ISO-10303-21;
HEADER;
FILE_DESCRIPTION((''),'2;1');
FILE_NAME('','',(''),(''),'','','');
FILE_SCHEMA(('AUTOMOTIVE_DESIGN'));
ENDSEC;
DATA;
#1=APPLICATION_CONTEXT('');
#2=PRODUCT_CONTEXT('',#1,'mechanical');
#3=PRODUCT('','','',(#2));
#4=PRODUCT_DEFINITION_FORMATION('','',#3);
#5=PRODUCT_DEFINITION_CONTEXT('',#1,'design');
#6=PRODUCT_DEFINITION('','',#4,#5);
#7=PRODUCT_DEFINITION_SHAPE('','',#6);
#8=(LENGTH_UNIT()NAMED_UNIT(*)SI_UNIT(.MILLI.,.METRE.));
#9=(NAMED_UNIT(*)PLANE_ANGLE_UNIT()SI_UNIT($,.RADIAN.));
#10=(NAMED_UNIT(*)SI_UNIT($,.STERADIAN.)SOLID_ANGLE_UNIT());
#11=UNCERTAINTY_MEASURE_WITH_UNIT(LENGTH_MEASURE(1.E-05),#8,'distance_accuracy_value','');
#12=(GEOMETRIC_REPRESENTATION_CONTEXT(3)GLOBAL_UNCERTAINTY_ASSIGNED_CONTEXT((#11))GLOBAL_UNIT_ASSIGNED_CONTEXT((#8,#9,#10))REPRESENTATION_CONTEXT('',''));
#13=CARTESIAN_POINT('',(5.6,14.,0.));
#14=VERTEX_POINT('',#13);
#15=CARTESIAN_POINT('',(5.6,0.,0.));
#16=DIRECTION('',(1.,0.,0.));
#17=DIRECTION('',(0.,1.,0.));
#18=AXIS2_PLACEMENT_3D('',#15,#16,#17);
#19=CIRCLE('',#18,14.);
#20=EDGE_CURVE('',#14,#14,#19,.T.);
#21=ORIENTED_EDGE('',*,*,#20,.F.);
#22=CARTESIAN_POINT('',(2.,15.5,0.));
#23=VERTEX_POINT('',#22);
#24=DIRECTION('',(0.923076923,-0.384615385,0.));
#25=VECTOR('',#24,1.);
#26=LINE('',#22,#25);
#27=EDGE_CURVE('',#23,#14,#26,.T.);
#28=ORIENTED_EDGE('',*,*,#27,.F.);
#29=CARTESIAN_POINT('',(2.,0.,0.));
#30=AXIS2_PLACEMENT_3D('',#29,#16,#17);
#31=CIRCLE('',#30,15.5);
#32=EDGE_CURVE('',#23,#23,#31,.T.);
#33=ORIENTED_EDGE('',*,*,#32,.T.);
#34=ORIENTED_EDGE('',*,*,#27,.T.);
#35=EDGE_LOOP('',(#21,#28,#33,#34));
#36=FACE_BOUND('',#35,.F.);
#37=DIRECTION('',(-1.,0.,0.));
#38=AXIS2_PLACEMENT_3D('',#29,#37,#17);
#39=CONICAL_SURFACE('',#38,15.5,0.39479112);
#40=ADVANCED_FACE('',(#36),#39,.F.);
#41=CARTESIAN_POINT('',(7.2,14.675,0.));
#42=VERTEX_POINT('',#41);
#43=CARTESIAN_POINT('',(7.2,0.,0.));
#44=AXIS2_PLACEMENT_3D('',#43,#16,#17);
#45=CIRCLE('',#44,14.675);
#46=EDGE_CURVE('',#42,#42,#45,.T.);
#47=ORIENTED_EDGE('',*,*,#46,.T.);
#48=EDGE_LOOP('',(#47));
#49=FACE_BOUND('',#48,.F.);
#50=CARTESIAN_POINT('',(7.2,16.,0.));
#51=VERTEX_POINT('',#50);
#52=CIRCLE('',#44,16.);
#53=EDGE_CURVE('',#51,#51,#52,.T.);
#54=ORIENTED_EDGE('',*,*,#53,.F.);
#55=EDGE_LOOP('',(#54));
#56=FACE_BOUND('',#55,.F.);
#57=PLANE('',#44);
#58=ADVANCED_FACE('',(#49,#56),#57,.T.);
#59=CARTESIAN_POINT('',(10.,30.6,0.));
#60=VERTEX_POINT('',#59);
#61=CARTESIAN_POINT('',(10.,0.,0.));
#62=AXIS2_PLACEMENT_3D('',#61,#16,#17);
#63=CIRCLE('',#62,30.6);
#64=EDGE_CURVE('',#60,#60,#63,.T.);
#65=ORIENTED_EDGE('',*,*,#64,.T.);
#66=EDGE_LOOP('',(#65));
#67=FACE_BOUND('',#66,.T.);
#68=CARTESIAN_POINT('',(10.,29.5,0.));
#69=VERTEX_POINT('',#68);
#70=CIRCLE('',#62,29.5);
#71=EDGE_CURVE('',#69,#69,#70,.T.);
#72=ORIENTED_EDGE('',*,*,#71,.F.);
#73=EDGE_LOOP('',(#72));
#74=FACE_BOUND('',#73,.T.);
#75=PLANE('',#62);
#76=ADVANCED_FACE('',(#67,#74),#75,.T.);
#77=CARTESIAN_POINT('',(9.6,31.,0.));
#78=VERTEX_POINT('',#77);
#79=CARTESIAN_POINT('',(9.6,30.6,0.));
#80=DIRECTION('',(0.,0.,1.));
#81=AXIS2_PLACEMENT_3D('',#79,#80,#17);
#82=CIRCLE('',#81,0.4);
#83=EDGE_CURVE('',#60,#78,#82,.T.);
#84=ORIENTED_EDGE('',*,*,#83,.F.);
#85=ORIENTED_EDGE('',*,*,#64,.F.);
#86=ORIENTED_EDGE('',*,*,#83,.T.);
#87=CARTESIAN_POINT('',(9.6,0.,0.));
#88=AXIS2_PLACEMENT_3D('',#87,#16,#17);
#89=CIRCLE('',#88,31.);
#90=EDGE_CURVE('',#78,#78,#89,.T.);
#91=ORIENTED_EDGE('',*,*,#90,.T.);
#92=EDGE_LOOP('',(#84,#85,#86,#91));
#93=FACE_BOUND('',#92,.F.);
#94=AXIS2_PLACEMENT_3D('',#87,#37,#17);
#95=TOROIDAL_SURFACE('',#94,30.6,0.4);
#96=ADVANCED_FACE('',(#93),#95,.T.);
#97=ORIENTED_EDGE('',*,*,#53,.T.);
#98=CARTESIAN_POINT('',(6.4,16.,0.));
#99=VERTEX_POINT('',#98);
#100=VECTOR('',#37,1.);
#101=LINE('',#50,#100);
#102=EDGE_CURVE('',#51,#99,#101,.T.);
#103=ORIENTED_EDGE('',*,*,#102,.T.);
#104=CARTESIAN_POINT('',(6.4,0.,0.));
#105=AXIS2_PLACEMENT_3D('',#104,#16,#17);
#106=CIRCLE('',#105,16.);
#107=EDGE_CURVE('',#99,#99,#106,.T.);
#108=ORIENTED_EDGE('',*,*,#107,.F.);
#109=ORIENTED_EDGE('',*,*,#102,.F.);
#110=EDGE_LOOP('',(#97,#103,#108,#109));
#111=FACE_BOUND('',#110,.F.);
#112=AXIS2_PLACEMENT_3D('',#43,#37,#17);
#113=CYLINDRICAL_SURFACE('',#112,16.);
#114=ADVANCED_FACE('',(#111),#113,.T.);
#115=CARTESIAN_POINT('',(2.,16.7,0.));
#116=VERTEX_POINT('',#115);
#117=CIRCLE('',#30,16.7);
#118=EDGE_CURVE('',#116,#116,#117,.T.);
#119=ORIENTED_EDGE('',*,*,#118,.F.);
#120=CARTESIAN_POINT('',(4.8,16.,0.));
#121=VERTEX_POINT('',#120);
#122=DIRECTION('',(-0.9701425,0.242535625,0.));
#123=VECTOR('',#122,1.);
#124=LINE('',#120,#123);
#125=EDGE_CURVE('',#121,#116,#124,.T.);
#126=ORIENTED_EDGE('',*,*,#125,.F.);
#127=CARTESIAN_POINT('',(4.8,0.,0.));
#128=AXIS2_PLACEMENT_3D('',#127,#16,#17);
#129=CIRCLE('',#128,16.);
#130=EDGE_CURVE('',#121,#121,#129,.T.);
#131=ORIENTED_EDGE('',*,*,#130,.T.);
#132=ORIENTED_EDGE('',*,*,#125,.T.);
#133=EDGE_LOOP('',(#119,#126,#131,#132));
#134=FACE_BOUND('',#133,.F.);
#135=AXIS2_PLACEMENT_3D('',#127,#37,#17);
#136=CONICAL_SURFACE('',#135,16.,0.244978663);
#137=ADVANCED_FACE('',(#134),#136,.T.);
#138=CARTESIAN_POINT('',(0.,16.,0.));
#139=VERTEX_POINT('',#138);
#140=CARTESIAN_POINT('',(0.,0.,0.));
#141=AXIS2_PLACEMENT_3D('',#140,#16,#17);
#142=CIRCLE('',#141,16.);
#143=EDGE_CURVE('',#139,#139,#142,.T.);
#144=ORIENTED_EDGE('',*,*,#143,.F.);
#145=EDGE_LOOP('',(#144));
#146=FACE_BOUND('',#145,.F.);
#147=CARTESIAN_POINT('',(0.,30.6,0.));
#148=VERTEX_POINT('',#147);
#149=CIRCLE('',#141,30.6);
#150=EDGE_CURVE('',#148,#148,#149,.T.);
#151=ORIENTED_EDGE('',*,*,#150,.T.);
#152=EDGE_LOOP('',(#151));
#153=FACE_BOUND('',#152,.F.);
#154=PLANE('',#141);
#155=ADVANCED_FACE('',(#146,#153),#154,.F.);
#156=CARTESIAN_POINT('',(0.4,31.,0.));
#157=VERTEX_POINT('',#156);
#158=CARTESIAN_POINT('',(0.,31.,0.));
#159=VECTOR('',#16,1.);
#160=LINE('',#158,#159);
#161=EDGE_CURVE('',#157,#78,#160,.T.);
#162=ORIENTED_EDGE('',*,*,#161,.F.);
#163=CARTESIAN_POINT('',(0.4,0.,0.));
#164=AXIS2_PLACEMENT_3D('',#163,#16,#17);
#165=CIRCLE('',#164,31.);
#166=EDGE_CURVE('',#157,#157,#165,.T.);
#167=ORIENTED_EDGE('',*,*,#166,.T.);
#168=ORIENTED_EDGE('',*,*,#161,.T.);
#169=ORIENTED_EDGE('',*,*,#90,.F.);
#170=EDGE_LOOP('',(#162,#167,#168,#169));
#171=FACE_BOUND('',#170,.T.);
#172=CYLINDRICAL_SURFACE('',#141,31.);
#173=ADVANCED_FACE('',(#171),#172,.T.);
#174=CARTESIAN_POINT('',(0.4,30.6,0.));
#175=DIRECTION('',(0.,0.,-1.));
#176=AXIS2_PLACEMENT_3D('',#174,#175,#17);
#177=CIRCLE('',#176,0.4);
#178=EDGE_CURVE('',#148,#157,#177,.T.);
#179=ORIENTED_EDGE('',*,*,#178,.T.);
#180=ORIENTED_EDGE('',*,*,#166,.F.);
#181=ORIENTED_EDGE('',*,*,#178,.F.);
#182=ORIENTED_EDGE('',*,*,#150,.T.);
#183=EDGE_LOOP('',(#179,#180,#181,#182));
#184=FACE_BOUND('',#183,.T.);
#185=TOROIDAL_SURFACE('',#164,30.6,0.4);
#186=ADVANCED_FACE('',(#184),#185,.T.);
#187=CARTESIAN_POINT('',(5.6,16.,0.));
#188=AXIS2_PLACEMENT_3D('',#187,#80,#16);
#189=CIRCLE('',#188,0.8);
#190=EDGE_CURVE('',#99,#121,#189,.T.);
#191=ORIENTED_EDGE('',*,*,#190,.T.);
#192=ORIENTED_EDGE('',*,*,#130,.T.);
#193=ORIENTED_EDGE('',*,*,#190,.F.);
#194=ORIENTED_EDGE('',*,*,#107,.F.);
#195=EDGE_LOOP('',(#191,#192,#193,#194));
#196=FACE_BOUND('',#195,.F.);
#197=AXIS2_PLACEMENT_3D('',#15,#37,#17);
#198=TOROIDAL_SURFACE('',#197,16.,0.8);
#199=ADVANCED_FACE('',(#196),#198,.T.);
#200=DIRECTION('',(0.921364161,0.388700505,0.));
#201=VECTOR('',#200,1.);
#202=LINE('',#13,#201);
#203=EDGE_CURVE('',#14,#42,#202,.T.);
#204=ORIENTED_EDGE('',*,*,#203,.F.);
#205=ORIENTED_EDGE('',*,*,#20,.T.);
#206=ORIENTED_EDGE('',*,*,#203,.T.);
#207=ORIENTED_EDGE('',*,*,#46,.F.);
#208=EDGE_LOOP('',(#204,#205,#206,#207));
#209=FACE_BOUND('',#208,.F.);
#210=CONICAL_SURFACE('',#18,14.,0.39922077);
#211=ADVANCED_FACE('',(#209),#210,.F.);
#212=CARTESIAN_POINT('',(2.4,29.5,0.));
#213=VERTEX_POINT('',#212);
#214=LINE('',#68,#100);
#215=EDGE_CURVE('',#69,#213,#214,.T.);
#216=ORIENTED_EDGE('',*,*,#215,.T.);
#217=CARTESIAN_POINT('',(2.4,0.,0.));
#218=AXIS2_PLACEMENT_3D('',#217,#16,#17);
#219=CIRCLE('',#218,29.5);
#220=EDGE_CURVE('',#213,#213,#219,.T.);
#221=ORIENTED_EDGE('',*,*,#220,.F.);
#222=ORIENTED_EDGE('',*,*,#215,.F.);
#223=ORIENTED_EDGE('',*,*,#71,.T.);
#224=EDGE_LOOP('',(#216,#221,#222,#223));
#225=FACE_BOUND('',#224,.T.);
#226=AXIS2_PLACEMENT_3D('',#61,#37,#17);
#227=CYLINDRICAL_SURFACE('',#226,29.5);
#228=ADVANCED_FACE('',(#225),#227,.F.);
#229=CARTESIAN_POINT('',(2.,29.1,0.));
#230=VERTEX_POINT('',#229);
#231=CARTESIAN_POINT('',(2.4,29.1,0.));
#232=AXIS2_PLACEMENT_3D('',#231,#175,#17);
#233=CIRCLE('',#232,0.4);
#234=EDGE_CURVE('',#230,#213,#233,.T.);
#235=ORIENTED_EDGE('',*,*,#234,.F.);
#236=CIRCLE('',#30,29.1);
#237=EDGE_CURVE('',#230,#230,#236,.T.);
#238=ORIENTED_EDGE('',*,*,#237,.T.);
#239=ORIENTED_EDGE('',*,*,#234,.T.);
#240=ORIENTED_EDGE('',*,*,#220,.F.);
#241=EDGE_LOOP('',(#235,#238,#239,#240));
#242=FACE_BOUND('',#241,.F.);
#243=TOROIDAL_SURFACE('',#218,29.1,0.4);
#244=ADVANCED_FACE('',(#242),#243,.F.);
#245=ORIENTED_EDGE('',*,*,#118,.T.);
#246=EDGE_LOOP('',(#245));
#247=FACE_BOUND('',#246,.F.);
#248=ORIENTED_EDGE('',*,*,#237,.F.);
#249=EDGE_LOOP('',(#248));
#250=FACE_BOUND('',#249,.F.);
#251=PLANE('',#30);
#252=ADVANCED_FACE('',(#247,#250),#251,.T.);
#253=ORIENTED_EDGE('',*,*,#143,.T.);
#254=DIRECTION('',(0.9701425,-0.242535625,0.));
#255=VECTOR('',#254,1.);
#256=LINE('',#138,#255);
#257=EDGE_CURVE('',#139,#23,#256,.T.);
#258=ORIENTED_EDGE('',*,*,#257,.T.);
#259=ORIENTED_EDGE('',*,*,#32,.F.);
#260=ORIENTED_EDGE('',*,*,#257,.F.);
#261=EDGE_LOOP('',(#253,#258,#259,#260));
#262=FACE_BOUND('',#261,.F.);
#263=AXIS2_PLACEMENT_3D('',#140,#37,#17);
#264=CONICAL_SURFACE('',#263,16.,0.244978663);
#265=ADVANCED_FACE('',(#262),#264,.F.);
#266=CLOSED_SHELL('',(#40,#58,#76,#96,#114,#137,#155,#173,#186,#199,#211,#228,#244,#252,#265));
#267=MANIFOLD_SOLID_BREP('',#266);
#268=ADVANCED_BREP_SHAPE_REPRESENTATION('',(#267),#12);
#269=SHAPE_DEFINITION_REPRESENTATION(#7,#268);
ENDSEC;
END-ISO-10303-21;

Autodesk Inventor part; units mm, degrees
ref_plane "YZ Plane" through (0, 0, 0) normal (1, 0, 0) x (0, 1, 0)
ref_plane "XZ Plane" through (0, 0, 0) normal (0, 1, 0) x (-1, 0, 0)
ref_plane "XY Plane" through (0, 0, 0) normal (0, 0, 1) x (1, 0, 0)
sketch "Эскиз1" plane through (0, 0, 0) normal (0, 0, 1) x (1, 0, 0)
  circle A0 centre (5.6, 16) radius 0.52
  circle A1 centre (5.6, 16) radius 0.8
  line L0 (7.2, 14.675) -> (7.2, 16)
  line L1 (0, 31) -> (10, 31)
  line L2 (10, 31) -> (10, 29.5)
  line L3 (10, 29.5) -> (2, 29.5)
  line L4 (0, 0) -> (9.5856, 0)
  line L5 (0, 31) -> (0, 16)
  line L6 (0, 16) -> (2, 15.5)
  line L7 (2, 15.5) -> (5.6, 14)
  line L8 (5.6, 14) -> (7.2, 14.675)
  line L9 (5.6, 14) -> (0, 14) construction
  line L10 (0, 37.2) -> (0, -6.2) projected
  line L11 (-2, 0) -> (12, 0) projected
  line L12 (4.8, 16) -> (2, 16.7)
  line L13 (2, 16.7) -> (2, 29.5)
  line L14 (7.2, 16) -> (6.4, 16)
  dimension "d0" = 62
  dimension "d1" = 29.35
  dimension "d2" = 1.5
  dimension "d3" = 1.04
  dimension "d4" = 1.6
  dimension "d5" = 28
  dimension "d6" = 31
  dimension "d7" = 32
  dimension "d8" = 5.6
  dimension "d9" = 7.2
  dimension "d10" = 10
  dimension "d12" = 2
revolve "Базовый элемент" add sketch "Эскиз1" angle 360 about axis through (0, 0, 0) along (1, 0, 0) contours L14 L0 L8 L7 L6 L5 L1 L2 L3 L13 L12 A1
revolve "Пружинные1" add sketch "Эскиз1" angle 360 about axis through (0, 0, 0) along (1, 0, 0) contours A0 | A1
fillet "Сопряжение1" radius 0.4 3 edges at (10, -31, 0) (2, -29.5, 0) (0, -31, 0)
equation "\"d3\" = SPDI"
equation "\"d4\" = SPDA"
equation "\"d8\" = SPDST"
equation "\"d9\" = SDI"
equation "\"d12\" = SD"
equation "\"d11\" = RR"
equation "\"SD2\" = 62"
equation "\"SWDT\" = 8"
equation "\"RR\" = 0.4"
equation "\"SD\" = 2"
equation "\"NND\" = 42"
equation "\"SPDA\" = 1.6"
equation "\"SPDI\" = 1.04"
equation "\"TKDM\" = 46"
equation "\"HLDM\" = 46.8"
equation "\"ABDM\" = 44"
equation "\"SDI\" = 7.2"
equation "\"SPDST\" = 5.6"
equation "\"LAB\" = 0.4"
properties part number "Манжет 1-42x62x8 ГОСТ 8752-79" material "Резина"
